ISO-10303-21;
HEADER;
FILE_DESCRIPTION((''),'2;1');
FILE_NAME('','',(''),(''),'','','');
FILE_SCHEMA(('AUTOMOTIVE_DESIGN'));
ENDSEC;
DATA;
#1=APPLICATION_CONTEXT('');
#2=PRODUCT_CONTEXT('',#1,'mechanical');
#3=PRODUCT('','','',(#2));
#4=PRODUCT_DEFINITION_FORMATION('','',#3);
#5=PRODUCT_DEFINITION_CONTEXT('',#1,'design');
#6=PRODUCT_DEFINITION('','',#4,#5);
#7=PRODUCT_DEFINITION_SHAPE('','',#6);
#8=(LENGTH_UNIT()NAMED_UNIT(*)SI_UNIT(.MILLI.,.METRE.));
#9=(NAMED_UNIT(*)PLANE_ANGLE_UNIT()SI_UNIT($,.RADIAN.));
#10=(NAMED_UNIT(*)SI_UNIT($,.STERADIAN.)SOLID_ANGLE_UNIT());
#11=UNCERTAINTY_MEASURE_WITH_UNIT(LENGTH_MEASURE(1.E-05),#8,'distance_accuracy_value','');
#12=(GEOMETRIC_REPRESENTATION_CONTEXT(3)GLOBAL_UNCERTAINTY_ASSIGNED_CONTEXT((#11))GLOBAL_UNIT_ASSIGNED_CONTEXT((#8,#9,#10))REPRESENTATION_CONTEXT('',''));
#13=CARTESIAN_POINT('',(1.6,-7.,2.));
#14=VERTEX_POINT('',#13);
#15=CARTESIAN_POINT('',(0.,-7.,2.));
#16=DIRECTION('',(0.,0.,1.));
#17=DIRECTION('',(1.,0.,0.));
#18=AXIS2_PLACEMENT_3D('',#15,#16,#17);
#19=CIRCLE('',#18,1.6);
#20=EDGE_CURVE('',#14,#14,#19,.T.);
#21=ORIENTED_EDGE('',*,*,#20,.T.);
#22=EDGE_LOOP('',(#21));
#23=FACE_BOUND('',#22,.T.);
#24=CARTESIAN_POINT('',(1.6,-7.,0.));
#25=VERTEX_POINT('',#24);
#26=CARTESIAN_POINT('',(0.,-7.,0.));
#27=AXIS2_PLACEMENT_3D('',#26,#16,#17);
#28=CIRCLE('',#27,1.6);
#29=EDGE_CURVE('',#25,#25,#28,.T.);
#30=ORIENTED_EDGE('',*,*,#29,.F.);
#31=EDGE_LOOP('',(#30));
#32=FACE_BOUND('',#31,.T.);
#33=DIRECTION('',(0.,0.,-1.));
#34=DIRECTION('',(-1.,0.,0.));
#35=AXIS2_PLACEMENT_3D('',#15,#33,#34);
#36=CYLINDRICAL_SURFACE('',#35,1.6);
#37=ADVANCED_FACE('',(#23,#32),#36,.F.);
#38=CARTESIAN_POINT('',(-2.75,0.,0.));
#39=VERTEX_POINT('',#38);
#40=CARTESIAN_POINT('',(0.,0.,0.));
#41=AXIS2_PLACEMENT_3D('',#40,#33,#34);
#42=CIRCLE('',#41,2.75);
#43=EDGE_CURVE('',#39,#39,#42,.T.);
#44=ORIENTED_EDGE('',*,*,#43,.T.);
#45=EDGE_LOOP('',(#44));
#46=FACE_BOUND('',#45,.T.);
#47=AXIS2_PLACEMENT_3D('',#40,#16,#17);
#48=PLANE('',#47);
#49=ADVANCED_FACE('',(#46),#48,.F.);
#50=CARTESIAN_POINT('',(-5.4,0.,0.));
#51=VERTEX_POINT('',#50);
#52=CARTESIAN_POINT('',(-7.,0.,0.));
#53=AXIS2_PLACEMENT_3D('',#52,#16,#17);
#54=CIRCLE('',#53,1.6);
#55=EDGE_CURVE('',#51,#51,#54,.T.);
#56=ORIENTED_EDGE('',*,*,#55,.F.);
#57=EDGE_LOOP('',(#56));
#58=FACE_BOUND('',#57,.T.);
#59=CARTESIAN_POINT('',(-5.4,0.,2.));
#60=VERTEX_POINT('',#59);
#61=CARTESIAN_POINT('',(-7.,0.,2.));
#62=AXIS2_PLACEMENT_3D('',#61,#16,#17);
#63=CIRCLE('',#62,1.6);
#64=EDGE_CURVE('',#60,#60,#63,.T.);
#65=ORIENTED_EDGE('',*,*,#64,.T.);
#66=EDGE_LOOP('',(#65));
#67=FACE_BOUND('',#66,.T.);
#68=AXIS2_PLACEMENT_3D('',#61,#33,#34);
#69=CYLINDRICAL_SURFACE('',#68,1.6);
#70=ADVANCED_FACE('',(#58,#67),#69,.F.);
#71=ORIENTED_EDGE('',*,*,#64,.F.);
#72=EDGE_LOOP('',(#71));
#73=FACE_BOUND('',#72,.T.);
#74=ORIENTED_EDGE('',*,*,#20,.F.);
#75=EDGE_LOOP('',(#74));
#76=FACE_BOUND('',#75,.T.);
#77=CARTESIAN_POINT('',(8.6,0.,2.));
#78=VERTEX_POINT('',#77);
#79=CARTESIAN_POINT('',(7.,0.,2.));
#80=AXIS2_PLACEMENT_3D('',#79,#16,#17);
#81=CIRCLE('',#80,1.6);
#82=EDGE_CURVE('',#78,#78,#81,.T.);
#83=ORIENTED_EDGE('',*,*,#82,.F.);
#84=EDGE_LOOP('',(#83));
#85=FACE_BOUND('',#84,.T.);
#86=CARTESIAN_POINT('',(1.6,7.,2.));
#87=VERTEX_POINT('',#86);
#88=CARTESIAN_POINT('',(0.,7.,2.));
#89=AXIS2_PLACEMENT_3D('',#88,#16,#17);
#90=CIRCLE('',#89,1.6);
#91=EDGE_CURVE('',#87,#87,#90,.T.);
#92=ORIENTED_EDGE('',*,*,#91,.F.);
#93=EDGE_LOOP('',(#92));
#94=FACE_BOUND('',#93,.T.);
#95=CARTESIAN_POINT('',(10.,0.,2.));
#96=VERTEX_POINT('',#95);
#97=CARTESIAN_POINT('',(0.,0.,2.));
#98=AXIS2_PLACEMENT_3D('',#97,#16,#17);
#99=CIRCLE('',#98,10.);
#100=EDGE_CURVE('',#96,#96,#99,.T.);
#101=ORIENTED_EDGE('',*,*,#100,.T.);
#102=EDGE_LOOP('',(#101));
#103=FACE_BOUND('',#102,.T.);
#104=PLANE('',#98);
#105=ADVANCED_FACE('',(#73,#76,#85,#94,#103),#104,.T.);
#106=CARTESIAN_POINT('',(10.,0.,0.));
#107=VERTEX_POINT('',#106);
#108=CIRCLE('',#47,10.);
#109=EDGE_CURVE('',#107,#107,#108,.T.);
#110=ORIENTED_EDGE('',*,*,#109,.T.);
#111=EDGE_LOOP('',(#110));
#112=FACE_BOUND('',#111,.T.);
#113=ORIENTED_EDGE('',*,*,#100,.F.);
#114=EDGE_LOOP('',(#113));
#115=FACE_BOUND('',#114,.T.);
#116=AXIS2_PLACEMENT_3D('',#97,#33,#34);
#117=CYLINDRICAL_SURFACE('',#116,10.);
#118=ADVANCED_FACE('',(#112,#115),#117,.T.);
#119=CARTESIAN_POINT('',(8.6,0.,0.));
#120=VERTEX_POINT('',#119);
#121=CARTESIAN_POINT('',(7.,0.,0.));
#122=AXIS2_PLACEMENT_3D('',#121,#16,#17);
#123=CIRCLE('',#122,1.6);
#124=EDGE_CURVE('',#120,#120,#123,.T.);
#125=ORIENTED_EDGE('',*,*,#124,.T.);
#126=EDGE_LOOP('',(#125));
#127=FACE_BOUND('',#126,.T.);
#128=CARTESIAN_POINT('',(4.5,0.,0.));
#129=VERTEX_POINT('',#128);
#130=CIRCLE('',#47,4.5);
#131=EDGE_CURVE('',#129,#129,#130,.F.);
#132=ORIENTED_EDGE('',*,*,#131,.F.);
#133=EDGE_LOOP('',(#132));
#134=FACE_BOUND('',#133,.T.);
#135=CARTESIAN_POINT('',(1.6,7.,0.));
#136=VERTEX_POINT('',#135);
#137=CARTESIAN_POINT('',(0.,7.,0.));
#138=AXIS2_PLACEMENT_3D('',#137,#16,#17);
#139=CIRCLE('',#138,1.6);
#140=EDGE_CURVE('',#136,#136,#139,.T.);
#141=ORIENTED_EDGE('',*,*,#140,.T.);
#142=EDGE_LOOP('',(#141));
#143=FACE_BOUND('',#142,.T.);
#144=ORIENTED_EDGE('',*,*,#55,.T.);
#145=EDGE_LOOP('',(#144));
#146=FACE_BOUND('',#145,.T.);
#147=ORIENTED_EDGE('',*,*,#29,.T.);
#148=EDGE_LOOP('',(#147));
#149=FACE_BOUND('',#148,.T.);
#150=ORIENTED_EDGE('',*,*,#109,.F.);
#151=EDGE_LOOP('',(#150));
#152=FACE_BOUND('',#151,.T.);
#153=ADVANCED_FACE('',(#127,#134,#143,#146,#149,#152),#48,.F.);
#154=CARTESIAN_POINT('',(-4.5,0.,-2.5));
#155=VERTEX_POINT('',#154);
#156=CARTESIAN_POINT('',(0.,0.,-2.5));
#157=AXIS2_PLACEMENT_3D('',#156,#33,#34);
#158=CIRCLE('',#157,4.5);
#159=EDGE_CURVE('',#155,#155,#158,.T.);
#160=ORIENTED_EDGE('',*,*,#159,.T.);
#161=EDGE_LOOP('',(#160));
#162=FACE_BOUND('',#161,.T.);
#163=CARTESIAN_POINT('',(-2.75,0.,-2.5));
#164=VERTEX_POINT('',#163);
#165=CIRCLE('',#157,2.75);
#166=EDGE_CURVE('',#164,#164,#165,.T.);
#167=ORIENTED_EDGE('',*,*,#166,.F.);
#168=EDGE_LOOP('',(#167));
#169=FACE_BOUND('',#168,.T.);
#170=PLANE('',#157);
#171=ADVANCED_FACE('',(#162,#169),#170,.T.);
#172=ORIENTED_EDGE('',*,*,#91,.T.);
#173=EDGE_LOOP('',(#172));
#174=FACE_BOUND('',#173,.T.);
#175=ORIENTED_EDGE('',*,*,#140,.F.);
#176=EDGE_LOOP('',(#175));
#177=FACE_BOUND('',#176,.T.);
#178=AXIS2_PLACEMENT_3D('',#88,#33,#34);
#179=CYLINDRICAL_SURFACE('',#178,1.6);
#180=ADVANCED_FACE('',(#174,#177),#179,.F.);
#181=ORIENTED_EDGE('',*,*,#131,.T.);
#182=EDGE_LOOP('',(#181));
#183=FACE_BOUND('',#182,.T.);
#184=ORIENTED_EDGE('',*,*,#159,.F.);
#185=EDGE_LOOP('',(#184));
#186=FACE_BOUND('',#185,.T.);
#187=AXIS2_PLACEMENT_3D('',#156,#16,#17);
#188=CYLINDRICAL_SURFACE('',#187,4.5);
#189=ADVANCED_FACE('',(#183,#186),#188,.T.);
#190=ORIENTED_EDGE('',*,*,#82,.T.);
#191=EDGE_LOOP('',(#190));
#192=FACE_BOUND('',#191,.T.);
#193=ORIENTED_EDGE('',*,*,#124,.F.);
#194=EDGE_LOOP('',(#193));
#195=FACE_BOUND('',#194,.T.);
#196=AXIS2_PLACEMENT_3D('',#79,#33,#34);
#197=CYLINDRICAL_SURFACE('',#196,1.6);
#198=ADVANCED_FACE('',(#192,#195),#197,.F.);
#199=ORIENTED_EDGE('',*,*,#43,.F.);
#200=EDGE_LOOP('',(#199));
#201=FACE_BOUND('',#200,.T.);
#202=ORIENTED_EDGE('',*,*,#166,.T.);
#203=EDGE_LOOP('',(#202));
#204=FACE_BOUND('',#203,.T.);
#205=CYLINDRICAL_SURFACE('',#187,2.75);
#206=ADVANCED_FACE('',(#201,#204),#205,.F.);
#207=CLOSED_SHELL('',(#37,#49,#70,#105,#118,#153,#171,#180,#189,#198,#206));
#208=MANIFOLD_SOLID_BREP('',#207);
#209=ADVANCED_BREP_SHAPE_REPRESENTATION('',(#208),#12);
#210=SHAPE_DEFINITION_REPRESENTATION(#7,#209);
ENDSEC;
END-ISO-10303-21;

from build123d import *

# Parameters (mm, degrees)
SKETCH_1_R      = 10
SKETCH_1_R_2    = 1.6
EXTRUDE_1_DEPTH = 2
SKETCH_2_R      = 4.5
SKETCH_2_R_2    = 2.75
EXTRUDE_2_DEPTH = 2.5


with BuildPart() as part:
    # 草图1 → 凸台-拉伸1 (new body)
    with BuildSketch(Plane.XY):
        Circle(SKETCH_1_R)
        with Locations((0, 7)):
            Circle(SKETCH_1_R_2, mode=Mode.SUBTRACT)
        with Locations((7, 0)):
            Circle(SKETCH_1_R_2, mode=Mode.SUBTRACT)
        with Locations((0, -7)):
            Circle(SKETCH_1_R_2, mode=Mode.SUBTRACT)
        with Locations((-7, 0)):
            Circle(SKETCH_1_R_2, mode=Mode.SUBTRACT)
    extrude(amount=EXTRUDE_1_DEPTH)

    # 草图2 → 凸台-拉伸2 (add)
    with BuildSketch(Plane(origin=(0, 0, 0), x_dir=(-1, 0, 0), z_dir=(0, 0, -1))):
        Circle(SKETCH_2_R)
        Circle(SKETCH_2_R_2, mode=Mode.SUBTRACT)
    extrude(amount=EXTRUDE_2_DEPTH)


solid = part.part
